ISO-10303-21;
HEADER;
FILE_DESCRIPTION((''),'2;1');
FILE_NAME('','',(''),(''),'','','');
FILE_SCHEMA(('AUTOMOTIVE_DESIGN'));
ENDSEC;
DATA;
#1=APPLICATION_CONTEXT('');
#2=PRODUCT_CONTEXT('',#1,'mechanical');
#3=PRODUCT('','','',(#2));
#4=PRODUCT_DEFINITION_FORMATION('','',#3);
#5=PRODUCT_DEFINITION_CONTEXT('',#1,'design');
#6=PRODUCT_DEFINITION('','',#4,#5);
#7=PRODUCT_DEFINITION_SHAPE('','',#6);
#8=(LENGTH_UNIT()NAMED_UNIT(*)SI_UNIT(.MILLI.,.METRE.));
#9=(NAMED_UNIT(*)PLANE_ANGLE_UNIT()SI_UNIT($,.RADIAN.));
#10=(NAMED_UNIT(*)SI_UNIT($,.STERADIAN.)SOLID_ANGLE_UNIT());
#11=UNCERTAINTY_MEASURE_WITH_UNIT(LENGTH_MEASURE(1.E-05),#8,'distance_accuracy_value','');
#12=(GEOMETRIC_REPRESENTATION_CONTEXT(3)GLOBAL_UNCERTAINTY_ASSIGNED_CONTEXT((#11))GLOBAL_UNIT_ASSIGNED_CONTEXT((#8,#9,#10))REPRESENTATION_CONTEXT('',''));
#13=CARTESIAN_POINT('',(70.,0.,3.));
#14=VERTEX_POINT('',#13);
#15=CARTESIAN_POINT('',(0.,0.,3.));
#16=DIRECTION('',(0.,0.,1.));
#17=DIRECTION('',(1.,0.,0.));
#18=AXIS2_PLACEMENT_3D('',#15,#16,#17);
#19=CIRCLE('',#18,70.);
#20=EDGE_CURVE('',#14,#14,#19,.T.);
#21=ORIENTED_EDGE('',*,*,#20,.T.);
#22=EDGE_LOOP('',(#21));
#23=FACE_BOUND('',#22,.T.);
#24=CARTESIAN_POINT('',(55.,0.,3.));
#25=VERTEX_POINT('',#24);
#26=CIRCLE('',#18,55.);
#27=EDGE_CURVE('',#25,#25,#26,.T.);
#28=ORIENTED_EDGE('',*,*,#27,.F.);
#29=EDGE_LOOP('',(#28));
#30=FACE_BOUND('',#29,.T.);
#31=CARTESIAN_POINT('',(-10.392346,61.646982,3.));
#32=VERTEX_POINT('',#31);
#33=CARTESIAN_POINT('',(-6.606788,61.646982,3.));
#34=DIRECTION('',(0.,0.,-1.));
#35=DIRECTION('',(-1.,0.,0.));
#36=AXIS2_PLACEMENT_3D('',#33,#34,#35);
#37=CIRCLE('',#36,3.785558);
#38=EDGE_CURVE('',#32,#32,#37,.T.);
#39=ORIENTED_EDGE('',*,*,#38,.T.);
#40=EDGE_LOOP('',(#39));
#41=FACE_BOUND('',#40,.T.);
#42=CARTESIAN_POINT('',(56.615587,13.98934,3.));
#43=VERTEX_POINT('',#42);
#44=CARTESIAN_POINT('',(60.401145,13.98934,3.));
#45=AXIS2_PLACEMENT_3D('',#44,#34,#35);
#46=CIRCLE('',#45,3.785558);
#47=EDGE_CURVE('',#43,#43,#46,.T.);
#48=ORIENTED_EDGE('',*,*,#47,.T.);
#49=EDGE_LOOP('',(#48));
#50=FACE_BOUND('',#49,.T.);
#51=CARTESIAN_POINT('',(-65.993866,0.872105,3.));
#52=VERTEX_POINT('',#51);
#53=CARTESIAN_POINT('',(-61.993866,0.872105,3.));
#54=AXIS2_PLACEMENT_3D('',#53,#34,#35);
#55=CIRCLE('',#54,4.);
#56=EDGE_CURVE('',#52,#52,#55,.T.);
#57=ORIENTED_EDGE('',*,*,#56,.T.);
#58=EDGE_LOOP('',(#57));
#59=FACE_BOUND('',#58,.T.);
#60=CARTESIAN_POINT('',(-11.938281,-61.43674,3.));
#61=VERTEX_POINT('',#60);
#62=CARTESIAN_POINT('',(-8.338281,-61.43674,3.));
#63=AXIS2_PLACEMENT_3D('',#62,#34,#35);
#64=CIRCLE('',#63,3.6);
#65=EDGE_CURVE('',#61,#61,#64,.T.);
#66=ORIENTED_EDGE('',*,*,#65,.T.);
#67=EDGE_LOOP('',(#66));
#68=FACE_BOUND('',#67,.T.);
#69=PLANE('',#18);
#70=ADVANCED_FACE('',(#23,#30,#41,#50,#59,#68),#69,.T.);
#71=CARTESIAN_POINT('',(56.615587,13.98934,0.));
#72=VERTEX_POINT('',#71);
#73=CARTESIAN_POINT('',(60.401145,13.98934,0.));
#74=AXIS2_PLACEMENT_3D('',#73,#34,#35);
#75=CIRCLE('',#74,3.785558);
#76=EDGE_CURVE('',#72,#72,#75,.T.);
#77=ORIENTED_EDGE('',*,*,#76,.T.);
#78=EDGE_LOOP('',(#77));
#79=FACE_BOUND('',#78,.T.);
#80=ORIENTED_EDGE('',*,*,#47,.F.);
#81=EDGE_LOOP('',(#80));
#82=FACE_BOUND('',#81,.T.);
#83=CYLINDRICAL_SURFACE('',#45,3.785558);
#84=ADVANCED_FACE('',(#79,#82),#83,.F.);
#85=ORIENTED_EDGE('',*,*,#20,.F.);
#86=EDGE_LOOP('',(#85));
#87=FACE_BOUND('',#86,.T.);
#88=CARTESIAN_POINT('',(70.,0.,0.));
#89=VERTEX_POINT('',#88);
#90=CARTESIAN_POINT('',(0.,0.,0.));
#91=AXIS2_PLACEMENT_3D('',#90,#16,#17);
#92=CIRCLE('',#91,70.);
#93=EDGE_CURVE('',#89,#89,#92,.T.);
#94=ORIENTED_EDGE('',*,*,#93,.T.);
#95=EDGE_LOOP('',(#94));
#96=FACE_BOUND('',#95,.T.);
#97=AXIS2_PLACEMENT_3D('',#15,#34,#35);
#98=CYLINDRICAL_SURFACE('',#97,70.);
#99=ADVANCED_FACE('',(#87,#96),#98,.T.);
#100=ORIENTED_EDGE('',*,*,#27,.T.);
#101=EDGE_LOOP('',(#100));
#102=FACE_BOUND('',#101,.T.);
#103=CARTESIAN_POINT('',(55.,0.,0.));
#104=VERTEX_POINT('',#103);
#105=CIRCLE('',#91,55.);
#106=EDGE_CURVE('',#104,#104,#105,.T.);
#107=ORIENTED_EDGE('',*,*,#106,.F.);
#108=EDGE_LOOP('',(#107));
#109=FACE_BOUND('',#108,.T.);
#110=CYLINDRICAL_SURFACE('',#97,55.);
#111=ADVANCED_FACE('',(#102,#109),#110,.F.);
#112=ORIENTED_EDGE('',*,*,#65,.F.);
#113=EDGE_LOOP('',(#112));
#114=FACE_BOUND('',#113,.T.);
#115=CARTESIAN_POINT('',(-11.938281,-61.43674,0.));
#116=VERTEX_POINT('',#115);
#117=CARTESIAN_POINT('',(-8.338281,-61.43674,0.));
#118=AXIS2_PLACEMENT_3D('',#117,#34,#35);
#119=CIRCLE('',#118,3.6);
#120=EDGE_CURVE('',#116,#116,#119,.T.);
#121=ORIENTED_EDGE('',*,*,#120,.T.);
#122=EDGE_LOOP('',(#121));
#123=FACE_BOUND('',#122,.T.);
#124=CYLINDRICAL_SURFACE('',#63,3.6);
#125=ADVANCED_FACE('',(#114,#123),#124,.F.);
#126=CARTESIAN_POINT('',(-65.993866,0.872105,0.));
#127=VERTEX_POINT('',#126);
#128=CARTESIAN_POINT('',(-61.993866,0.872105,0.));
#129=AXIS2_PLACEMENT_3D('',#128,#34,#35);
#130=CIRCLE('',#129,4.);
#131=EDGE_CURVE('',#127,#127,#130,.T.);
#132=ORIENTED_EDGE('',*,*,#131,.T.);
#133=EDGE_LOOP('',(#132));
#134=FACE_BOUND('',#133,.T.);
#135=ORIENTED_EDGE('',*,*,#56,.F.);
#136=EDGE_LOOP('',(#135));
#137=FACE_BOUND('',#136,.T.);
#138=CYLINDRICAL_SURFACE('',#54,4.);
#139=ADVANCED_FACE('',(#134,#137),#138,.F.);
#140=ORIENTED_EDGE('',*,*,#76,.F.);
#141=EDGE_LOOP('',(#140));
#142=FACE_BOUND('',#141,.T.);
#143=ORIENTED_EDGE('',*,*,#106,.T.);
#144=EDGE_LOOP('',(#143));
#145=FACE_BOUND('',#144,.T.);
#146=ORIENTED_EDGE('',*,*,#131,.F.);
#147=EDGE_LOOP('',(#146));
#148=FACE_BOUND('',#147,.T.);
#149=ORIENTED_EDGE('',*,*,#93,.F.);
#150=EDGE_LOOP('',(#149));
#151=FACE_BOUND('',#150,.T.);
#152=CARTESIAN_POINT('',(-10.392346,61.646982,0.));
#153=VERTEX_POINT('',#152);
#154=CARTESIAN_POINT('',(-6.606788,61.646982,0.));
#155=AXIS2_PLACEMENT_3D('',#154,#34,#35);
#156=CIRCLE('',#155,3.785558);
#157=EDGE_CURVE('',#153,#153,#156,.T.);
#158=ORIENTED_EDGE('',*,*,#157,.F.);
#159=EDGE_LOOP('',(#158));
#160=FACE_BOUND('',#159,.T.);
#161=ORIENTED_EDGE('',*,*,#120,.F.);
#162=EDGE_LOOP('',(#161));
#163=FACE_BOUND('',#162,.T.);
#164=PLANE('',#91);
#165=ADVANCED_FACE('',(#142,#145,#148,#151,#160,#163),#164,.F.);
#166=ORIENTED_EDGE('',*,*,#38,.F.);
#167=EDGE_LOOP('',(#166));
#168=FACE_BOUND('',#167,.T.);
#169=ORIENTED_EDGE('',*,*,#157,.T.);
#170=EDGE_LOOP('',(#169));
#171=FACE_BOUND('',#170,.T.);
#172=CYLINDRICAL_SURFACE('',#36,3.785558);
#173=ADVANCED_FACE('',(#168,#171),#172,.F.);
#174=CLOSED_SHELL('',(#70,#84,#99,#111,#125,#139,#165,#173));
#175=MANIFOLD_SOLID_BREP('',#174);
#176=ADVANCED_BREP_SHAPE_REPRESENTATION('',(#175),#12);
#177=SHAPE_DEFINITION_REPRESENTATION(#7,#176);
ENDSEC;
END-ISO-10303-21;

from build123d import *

# Parameters (mm, degrees)
SKETCH_1_R          = 70
SKETCH_1_R_2        = 55
EXTRUDE_1_DEPTH     = 3
SKETCH_2_R          = 4
SKETCH_2_R_2        = 3.785558093
SKETCH_2_R_3        = 3.6
CUT_EXTRUDE_1_DEPTH = 3


with BuildPart() as part:
    # 草图1 → 凸台-拉伸1 (new body)
    with BuildSketch(Plane.XY):
        Circle(SKETCH_1_R)
        Circle(SKETCH_1_R_2, mode=Mode.SUBTRACT)
    extrude(amount=EXTRUDE_1_DEPTH)

    # 草图2 → 切除-拉伸1 (cut)
    with BuildSketch(Plane(origin=(0, 0, 0), x_dir=(-1, 0, 0), z_dir=(0, 0, -1))):
        with Locations((61.993866089, 0.872105092)):
            Circle(SKETCH_2_R)
        with Locations((6.606788351, 61.646981659)):
            Circle(SKETCH_2_R_2)
        with Locations((-60.40114542, 13.989339942)):
            Circle(SKETCH_2_R_2)
        with Locations((8.338281279, -61.436740354)):
            Circle(SKETCH_2_R_3)
    extrude(amount=-CUT_EXTRUDE_1_DEPTH, mode=Mode.SUBTRACT)


solid = part.part
